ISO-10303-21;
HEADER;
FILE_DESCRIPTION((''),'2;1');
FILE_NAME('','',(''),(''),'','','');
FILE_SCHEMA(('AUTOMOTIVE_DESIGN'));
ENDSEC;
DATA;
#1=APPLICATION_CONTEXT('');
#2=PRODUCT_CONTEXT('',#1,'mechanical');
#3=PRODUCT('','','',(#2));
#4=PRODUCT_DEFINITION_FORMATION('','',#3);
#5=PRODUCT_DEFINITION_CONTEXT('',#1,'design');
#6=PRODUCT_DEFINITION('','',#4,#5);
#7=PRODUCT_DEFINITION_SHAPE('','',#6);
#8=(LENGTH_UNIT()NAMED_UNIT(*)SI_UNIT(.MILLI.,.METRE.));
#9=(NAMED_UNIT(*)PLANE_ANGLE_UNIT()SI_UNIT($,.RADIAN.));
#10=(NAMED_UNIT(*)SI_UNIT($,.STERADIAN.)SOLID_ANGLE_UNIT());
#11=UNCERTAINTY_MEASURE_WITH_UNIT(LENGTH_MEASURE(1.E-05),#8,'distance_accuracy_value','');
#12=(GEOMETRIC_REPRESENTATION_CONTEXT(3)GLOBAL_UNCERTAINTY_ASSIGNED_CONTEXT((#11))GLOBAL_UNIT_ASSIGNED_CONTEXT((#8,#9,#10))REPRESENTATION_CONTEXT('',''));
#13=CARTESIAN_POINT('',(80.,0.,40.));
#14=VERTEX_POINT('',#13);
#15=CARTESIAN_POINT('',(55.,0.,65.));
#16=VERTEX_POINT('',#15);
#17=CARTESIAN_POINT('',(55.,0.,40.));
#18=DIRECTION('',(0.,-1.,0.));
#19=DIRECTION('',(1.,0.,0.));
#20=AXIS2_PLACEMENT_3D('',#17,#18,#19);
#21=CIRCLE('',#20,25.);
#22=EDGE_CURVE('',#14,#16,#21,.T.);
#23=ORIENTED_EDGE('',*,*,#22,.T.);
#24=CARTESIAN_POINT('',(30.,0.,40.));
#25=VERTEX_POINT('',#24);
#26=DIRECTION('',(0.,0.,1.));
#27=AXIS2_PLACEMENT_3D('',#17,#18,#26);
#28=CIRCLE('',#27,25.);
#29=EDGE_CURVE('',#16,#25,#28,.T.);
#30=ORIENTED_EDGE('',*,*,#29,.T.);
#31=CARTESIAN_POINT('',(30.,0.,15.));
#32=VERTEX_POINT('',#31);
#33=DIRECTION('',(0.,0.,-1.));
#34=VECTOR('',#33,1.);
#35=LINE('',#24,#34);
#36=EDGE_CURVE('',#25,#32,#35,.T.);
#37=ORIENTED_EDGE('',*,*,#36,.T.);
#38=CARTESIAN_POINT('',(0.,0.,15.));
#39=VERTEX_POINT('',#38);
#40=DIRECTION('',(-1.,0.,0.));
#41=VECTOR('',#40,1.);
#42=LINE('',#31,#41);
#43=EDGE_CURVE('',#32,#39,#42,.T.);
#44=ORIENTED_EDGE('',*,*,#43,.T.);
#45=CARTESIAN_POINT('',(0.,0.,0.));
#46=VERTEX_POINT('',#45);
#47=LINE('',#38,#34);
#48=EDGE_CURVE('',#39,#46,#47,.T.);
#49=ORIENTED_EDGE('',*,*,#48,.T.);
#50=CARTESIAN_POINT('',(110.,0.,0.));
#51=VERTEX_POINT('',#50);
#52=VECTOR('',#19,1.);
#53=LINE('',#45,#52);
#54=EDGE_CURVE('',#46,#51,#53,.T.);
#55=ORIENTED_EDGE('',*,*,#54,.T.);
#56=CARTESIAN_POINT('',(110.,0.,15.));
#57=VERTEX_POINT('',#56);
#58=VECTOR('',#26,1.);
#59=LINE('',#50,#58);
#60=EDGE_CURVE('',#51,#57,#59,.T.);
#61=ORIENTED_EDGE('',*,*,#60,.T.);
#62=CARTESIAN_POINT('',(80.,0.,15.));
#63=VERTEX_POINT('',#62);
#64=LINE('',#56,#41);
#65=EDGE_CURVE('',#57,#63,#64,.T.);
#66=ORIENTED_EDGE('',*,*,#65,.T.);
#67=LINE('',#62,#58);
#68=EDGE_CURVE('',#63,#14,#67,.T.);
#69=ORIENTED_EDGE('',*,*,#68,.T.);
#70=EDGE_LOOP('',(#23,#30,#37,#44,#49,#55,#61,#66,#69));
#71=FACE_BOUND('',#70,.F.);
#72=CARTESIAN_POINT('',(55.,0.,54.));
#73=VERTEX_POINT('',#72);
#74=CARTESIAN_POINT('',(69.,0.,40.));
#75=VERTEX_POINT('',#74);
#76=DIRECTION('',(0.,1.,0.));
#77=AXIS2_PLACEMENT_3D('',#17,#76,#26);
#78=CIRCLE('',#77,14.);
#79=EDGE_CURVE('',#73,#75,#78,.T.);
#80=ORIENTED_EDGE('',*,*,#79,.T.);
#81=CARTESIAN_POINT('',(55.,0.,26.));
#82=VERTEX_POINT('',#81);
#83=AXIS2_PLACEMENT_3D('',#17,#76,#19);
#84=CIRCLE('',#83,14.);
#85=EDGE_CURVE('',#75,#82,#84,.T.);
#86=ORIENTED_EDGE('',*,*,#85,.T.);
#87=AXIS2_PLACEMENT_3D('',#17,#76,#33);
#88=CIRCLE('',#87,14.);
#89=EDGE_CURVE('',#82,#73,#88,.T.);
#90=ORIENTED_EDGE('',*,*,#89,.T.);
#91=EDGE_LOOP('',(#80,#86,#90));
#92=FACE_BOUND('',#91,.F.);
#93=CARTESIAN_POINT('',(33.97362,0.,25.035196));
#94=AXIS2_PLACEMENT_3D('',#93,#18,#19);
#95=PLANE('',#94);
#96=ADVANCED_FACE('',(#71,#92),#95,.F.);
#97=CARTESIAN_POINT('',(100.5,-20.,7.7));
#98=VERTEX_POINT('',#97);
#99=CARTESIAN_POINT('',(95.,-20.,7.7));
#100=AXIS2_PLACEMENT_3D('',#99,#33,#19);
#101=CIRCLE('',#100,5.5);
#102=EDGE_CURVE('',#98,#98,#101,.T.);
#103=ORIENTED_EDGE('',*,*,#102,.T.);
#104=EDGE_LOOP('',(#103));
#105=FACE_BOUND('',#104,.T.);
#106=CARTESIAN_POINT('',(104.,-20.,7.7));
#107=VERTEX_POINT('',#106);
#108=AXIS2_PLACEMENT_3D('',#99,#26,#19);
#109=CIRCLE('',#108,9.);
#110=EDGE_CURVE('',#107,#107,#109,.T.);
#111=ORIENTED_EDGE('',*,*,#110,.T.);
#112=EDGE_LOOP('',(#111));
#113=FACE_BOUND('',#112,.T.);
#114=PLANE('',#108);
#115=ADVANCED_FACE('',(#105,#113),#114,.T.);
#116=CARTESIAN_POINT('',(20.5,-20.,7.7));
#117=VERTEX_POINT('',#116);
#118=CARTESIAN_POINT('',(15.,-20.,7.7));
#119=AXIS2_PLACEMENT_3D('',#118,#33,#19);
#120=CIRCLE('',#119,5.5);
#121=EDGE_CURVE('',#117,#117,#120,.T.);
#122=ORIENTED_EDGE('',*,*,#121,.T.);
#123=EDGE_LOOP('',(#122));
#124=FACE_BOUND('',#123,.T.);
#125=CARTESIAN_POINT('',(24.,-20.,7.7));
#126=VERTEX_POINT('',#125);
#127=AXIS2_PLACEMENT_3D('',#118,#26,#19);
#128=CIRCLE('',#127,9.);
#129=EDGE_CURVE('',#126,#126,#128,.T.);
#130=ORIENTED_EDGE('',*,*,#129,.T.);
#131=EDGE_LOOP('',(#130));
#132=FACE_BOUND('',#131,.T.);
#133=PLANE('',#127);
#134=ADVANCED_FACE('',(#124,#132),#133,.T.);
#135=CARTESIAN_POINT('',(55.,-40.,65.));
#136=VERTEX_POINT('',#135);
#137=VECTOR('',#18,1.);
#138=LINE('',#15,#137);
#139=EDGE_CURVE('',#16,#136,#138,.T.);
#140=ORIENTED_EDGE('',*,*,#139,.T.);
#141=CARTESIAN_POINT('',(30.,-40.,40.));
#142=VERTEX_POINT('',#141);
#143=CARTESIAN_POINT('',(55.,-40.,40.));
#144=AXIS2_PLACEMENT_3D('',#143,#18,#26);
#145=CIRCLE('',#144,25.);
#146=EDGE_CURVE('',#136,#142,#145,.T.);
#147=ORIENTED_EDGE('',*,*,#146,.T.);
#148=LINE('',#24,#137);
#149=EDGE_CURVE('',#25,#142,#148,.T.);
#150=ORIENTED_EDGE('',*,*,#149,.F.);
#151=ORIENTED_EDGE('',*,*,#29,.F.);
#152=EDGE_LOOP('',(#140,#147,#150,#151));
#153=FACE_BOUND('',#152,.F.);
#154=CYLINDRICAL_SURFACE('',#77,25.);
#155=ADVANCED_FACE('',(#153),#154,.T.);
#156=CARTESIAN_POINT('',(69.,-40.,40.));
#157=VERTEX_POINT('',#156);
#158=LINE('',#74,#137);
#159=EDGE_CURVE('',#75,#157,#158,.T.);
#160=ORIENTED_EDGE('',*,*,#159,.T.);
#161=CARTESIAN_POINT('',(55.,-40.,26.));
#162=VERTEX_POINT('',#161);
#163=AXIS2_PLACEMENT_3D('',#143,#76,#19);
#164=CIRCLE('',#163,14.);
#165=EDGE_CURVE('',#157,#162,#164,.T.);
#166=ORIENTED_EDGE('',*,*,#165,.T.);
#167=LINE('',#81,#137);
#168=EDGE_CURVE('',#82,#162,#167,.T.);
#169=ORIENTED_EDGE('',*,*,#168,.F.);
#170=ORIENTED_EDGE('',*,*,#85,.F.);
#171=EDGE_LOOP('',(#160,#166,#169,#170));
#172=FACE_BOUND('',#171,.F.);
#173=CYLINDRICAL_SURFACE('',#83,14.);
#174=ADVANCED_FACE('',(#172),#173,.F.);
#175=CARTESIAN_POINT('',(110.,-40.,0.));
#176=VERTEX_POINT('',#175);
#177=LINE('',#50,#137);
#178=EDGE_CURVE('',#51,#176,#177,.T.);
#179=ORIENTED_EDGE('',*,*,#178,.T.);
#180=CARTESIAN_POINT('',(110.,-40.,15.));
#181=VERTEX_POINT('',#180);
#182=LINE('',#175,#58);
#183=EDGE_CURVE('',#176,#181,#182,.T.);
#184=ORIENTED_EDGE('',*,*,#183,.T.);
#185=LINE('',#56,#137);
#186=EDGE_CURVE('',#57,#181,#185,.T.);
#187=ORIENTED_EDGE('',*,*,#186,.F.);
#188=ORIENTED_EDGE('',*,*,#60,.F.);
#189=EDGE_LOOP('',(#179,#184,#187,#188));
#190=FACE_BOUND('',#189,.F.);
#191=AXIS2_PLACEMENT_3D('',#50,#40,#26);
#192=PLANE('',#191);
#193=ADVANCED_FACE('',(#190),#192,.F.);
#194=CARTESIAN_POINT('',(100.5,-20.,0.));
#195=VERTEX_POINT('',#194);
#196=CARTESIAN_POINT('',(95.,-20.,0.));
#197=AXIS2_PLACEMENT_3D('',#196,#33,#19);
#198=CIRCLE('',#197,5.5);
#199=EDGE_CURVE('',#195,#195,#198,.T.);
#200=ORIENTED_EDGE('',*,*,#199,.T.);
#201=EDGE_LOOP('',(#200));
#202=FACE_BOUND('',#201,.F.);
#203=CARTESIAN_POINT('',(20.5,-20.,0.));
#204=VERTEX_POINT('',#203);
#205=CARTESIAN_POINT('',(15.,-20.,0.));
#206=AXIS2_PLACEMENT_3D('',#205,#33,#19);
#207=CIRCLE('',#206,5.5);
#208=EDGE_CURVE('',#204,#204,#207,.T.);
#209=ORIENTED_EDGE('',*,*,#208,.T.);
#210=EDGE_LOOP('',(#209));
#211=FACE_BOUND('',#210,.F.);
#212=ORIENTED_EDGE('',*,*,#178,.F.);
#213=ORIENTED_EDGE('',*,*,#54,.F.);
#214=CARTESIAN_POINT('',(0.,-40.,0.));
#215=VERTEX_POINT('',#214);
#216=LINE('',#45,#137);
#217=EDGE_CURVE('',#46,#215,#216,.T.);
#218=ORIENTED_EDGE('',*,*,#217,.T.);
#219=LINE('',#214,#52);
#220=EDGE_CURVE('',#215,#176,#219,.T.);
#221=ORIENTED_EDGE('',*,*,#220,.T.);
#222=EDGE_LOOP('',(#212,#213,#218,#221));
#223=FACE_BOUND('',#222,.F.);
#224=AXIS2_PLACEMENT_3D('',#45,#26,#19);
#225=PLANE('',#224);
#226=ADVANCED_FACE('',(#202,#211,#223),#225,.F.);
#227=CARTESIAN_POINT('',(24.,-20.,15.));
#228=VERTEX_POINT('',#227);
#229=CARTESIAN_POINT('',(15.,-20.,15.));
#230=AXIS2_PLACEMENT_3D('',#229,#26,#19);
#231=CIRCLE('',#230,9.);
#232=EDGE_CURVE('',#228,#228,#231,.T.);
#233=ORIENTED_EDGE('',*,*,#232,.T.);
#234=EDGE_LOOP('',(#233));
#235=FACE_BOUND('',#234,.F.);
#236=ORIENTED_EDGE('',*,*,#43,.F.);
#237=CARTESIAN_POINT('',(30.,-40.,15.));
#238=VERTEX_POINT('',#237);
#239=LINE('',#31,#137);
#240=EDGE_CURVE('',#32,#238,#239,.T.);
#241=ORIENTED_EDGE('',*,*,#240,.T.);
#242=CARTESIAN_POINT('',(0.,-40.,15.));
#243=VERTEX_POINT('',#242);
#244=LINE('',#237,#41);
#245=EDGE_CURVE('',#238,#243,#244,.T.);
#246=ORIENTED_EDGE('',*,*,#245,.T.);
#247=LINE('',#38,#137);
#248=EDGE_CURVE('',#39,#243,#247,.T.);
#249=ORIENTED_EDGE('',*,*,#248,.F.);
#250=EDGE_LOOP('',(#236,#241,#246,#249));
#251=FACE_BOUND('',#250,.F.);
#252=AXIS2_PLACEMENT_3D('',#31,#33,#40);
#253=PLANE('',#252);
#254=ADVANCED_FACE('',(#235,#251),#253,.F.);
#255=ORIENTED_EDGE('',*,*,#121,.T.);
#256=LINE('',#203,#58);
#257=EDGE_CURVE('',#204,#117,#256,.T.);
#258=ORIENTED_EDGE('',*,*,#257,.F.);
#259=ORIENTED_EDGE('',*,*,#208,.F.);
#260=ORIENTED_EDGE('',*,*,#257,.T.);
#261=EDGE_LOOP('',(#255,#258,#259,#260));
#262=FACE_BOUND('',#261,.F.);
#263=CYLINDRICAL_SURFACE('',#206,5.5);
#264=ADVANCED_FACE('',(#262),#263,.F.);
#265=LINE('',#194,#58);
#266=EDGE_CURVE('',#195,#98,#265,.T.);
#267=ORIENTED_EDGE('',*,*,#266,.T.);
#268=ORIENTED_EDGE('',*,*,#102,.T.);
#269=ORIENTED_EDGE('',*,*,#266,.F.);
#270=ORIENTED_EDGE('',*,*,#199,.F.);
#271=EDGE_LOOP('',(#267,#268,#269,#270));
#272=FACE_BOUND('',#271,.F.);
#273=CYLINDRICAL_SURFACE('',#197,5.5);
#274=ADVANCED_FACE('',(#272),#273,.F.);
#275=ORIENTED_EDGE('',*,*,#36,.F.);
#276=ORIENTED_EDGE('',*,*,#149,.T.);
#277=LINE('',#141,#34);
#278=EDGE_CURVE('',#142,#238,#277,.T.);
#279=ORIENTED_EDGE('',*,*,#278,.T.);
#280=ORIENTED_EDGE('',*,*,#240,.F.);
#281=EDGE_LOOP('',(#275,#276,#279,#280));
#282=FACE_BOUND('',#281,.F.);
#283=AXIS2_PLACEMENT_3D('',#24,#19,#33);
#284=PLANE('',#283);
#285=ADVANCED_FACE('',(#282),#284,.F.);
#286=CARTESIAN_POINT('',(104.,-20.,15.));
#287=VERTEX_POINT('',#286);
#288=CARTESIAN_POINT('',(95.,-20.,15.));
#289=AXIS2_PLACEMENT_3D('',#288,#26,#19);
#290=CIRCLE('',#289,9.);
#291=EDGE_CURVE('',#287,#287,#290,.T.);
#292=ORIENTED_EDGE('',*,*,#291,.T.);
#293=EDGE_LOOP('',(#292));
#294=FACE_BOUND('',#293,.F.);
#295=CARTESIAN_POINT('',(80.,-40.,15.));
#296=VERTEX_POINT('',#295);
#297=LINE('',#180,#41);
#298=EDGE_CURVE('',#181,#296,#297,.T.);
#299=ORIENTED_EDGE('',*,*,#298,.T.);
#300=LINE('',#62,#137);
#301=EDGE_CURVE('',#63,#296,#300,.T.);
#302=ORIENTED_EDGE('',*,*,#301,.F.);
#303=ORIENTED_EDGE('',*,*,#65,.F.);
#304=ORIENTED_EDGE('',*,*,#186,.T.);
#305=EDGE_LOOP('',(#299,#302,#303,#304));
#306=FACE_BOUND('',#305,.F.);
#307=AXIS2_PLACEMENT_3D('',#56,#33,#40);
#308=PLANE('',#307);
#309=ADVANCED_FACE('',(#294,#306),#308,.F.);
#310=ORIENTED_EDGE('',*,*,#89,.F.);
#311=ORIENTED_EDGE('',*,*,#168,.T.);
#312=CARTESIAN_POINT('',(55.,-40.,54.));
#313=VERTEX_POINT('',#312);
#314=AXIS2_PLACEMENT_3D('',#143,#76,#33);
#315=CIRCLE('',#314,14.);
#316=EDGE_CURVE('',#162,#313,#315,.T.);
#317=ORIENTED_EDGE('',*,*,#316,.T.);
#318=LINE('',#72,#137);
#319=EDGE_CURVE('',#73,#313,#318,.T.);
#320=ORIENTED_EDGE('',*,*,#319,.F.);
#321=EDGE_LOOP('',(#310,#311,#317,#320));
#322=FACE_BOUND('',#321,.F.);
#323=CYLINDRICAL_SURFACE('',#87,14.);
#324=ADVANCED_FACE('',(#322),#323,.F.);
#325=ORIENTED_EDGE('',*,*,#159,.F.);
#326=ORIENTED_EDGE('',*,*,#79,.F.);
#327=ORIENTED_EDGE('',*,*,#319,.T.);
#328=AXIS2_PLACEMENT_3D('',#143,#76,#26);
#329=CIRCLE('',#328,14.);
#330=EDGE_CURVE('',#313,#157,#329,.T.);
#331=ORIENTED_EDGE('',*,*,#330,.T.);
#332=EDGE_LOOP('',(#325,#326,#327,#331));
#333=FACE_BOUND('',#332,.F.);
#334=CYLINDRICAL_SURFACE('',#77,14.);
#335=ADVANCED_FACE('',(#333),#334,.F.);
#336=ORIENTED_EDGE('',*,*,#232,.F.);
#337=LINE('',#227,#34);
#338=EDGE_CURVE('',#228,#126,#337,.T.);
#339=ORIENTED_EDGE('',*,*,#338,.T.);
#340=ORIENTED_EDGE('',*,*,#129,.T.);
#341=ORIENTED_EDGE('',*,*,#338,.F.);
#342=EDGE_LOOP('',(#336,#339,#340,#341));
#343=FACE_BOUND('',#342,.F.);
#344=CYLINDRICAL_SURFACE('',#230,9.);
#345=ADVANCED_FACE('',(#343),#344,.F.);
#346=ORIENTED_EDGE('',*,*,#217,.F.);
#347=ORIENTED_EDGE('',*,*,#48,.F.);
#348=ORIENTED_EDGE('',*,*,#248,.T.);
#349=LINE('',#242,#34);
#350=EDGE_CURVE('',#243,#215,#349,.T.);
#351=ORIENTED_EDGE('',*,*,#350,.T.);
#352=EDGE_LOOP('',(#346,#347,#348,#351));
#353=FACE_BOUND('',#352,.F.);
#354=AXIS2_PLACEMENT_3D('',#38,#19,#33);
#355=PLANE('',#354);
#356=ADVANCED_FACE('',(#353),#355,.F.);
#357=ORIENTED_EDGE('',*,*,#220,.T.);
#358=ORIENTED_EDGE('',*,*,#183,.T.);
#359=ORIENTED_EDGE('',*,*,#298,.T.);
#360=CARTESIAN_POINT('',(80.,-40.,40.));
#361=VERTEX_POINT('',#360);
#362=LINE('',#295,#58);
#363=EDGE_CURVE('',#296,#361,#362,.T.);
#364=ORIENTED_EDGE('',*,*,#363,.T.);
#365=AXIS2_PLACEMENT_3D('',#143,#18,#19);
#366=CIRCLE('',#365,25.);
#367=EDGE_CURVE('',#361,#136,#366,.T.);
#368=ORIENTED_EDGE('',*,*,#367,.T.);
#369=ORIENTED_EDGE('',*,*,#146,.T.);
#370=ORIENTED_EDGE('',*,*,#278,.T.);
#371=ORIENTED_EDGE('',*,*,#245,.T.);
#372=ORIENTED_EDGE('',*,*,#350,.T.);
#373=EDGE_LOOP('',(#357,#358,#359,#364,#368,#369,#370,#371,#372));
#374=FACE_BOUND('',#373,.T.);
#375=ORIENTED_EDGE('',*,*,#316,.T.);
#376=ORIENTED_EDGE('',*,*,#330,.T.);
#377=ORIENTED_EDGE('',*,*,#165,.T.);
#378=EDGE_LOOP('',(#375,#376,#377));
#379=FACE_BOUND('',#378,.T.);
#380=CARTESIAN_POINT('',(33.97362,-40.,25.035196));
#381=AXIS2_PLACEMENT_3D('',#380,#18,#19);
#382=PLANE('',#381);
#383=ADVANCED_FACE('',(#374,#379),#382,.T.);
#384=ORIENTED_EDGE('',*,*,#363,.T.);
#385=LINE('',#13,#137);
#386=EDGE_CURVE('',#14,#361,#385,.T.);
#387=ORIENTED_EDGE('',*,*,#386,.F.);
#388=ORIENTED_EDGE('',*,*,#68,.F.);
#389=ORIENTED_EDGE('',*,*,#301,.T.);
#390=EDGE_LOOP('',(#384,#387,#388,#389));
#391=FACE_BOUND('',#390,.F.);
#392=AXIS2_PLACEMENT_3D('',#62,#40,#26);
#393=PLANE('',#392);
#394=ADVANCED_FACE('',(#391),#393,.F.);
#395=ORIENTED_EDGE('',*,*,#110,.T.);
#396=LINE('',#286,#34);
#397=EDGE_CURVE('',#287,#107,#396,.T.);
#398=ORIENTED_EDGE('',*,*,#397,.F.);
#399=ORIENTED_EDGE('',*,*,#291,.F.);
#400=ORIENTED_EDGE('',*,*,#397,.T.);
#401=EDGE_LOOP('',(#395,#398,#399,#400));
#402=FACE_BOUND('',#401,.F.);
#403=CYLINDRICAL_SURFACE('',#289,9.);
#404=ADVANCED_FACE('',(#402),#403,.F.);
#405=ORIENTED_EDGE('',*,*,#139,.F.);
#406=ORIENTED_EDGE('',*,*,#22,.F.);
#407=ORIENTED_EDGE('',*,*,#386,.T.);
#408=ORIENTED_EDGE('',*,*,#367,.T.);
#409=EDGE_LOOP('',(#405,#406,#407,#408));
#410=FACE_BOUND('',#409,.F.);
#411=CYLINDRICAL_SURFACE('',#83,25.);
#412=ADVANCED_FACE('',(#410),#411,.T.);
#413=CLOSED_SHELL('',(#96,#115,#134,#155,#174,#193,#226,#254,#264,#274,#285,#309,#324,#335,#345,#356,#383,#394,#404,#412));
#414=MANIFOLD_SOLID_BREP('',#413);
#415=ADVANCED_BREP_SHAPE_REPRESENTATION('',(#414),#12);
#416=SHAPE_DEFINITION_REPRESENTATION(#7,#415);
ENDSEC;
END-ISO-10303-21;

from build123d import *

# Parameters (mm, degrees)
F1_DEPTH = 40
F2_R     = 9
F3_DEPTH = 7.3
F4_R     = 5.5
F5_DEPTH = 7.7
F6_R     = 9
F7_DEPTH = 7.3


with BuildPart() as f1:
    # F0 (on Front) → F1 (new body)
    with BuildSketch(Plane.XZ):
        with BuildLine():
            Line((0, 15), (0, 0))
            Line((0, 0), (55, 0))
            Line((55, 0), (55, 26))
            ThreePointArc((55, 26), (41, 40), (55, 54))
            Line((55, 54), (55, 65))
            ThreePointArc((55, 65), (37.3223304703, 57.6776695297), (30, 40))
            Line((30, 40), (30, 15))
            Line((30, 15), (0, 15))
        make_face()
        with BuildLine():
            Line((55, 26), (55, 0))
            Line((55, 0), (110, 0))
            Line((110, 0), (110, 15))
            Line((110, 15), (80, 15))
            Line((80, 15), (80, 40))
            ThreePointArc((80, 40), (72.6776695297, 57.6776695297), (55, 65))
            Line((55, 65), (55, 54))
            ThreePointArc((55, 54), (64.8994949366, 49.8994949366), (69, 40))
            ThreePointArc((69, 40), (64.8994949366, 30.1005050634), (55, 26))
        make_face()
    extrude(amount=F1_DEPTH)

    # F2 (on face) → F3 (cut)
    with BuildSketch(Plane.XY.offset(15)):
        with Locations((15, -20)):
            Circle(F2_R)
    extrude(amount=-F3_DEPTH, mode=Mode.SUBTRACT)

    # F4 (on face) → F5 (cut)
    with BuildSketch(Plane(origin=(0, 0, 0), x_dir=(1, 0, 0), z_dir=(0, 0, -1))):
        with Locations((15, 20)):
            Circle(F4_R)
        with Locations((95, 20)):
            Circle(F4_R)
    extrude(amount=-F5_DEPTH, mode=Mode.SUBTRACT)

    # F6 (on face) → F7 (cut)
    with BuildSketch(Plane.XY.offset(15)):
        with Locations((95, -20)):
            Circle(F6_R)
    extrude(amount=-F7_DEPTH, mode=Mode.SUBTRACT)


solid = f1.part
